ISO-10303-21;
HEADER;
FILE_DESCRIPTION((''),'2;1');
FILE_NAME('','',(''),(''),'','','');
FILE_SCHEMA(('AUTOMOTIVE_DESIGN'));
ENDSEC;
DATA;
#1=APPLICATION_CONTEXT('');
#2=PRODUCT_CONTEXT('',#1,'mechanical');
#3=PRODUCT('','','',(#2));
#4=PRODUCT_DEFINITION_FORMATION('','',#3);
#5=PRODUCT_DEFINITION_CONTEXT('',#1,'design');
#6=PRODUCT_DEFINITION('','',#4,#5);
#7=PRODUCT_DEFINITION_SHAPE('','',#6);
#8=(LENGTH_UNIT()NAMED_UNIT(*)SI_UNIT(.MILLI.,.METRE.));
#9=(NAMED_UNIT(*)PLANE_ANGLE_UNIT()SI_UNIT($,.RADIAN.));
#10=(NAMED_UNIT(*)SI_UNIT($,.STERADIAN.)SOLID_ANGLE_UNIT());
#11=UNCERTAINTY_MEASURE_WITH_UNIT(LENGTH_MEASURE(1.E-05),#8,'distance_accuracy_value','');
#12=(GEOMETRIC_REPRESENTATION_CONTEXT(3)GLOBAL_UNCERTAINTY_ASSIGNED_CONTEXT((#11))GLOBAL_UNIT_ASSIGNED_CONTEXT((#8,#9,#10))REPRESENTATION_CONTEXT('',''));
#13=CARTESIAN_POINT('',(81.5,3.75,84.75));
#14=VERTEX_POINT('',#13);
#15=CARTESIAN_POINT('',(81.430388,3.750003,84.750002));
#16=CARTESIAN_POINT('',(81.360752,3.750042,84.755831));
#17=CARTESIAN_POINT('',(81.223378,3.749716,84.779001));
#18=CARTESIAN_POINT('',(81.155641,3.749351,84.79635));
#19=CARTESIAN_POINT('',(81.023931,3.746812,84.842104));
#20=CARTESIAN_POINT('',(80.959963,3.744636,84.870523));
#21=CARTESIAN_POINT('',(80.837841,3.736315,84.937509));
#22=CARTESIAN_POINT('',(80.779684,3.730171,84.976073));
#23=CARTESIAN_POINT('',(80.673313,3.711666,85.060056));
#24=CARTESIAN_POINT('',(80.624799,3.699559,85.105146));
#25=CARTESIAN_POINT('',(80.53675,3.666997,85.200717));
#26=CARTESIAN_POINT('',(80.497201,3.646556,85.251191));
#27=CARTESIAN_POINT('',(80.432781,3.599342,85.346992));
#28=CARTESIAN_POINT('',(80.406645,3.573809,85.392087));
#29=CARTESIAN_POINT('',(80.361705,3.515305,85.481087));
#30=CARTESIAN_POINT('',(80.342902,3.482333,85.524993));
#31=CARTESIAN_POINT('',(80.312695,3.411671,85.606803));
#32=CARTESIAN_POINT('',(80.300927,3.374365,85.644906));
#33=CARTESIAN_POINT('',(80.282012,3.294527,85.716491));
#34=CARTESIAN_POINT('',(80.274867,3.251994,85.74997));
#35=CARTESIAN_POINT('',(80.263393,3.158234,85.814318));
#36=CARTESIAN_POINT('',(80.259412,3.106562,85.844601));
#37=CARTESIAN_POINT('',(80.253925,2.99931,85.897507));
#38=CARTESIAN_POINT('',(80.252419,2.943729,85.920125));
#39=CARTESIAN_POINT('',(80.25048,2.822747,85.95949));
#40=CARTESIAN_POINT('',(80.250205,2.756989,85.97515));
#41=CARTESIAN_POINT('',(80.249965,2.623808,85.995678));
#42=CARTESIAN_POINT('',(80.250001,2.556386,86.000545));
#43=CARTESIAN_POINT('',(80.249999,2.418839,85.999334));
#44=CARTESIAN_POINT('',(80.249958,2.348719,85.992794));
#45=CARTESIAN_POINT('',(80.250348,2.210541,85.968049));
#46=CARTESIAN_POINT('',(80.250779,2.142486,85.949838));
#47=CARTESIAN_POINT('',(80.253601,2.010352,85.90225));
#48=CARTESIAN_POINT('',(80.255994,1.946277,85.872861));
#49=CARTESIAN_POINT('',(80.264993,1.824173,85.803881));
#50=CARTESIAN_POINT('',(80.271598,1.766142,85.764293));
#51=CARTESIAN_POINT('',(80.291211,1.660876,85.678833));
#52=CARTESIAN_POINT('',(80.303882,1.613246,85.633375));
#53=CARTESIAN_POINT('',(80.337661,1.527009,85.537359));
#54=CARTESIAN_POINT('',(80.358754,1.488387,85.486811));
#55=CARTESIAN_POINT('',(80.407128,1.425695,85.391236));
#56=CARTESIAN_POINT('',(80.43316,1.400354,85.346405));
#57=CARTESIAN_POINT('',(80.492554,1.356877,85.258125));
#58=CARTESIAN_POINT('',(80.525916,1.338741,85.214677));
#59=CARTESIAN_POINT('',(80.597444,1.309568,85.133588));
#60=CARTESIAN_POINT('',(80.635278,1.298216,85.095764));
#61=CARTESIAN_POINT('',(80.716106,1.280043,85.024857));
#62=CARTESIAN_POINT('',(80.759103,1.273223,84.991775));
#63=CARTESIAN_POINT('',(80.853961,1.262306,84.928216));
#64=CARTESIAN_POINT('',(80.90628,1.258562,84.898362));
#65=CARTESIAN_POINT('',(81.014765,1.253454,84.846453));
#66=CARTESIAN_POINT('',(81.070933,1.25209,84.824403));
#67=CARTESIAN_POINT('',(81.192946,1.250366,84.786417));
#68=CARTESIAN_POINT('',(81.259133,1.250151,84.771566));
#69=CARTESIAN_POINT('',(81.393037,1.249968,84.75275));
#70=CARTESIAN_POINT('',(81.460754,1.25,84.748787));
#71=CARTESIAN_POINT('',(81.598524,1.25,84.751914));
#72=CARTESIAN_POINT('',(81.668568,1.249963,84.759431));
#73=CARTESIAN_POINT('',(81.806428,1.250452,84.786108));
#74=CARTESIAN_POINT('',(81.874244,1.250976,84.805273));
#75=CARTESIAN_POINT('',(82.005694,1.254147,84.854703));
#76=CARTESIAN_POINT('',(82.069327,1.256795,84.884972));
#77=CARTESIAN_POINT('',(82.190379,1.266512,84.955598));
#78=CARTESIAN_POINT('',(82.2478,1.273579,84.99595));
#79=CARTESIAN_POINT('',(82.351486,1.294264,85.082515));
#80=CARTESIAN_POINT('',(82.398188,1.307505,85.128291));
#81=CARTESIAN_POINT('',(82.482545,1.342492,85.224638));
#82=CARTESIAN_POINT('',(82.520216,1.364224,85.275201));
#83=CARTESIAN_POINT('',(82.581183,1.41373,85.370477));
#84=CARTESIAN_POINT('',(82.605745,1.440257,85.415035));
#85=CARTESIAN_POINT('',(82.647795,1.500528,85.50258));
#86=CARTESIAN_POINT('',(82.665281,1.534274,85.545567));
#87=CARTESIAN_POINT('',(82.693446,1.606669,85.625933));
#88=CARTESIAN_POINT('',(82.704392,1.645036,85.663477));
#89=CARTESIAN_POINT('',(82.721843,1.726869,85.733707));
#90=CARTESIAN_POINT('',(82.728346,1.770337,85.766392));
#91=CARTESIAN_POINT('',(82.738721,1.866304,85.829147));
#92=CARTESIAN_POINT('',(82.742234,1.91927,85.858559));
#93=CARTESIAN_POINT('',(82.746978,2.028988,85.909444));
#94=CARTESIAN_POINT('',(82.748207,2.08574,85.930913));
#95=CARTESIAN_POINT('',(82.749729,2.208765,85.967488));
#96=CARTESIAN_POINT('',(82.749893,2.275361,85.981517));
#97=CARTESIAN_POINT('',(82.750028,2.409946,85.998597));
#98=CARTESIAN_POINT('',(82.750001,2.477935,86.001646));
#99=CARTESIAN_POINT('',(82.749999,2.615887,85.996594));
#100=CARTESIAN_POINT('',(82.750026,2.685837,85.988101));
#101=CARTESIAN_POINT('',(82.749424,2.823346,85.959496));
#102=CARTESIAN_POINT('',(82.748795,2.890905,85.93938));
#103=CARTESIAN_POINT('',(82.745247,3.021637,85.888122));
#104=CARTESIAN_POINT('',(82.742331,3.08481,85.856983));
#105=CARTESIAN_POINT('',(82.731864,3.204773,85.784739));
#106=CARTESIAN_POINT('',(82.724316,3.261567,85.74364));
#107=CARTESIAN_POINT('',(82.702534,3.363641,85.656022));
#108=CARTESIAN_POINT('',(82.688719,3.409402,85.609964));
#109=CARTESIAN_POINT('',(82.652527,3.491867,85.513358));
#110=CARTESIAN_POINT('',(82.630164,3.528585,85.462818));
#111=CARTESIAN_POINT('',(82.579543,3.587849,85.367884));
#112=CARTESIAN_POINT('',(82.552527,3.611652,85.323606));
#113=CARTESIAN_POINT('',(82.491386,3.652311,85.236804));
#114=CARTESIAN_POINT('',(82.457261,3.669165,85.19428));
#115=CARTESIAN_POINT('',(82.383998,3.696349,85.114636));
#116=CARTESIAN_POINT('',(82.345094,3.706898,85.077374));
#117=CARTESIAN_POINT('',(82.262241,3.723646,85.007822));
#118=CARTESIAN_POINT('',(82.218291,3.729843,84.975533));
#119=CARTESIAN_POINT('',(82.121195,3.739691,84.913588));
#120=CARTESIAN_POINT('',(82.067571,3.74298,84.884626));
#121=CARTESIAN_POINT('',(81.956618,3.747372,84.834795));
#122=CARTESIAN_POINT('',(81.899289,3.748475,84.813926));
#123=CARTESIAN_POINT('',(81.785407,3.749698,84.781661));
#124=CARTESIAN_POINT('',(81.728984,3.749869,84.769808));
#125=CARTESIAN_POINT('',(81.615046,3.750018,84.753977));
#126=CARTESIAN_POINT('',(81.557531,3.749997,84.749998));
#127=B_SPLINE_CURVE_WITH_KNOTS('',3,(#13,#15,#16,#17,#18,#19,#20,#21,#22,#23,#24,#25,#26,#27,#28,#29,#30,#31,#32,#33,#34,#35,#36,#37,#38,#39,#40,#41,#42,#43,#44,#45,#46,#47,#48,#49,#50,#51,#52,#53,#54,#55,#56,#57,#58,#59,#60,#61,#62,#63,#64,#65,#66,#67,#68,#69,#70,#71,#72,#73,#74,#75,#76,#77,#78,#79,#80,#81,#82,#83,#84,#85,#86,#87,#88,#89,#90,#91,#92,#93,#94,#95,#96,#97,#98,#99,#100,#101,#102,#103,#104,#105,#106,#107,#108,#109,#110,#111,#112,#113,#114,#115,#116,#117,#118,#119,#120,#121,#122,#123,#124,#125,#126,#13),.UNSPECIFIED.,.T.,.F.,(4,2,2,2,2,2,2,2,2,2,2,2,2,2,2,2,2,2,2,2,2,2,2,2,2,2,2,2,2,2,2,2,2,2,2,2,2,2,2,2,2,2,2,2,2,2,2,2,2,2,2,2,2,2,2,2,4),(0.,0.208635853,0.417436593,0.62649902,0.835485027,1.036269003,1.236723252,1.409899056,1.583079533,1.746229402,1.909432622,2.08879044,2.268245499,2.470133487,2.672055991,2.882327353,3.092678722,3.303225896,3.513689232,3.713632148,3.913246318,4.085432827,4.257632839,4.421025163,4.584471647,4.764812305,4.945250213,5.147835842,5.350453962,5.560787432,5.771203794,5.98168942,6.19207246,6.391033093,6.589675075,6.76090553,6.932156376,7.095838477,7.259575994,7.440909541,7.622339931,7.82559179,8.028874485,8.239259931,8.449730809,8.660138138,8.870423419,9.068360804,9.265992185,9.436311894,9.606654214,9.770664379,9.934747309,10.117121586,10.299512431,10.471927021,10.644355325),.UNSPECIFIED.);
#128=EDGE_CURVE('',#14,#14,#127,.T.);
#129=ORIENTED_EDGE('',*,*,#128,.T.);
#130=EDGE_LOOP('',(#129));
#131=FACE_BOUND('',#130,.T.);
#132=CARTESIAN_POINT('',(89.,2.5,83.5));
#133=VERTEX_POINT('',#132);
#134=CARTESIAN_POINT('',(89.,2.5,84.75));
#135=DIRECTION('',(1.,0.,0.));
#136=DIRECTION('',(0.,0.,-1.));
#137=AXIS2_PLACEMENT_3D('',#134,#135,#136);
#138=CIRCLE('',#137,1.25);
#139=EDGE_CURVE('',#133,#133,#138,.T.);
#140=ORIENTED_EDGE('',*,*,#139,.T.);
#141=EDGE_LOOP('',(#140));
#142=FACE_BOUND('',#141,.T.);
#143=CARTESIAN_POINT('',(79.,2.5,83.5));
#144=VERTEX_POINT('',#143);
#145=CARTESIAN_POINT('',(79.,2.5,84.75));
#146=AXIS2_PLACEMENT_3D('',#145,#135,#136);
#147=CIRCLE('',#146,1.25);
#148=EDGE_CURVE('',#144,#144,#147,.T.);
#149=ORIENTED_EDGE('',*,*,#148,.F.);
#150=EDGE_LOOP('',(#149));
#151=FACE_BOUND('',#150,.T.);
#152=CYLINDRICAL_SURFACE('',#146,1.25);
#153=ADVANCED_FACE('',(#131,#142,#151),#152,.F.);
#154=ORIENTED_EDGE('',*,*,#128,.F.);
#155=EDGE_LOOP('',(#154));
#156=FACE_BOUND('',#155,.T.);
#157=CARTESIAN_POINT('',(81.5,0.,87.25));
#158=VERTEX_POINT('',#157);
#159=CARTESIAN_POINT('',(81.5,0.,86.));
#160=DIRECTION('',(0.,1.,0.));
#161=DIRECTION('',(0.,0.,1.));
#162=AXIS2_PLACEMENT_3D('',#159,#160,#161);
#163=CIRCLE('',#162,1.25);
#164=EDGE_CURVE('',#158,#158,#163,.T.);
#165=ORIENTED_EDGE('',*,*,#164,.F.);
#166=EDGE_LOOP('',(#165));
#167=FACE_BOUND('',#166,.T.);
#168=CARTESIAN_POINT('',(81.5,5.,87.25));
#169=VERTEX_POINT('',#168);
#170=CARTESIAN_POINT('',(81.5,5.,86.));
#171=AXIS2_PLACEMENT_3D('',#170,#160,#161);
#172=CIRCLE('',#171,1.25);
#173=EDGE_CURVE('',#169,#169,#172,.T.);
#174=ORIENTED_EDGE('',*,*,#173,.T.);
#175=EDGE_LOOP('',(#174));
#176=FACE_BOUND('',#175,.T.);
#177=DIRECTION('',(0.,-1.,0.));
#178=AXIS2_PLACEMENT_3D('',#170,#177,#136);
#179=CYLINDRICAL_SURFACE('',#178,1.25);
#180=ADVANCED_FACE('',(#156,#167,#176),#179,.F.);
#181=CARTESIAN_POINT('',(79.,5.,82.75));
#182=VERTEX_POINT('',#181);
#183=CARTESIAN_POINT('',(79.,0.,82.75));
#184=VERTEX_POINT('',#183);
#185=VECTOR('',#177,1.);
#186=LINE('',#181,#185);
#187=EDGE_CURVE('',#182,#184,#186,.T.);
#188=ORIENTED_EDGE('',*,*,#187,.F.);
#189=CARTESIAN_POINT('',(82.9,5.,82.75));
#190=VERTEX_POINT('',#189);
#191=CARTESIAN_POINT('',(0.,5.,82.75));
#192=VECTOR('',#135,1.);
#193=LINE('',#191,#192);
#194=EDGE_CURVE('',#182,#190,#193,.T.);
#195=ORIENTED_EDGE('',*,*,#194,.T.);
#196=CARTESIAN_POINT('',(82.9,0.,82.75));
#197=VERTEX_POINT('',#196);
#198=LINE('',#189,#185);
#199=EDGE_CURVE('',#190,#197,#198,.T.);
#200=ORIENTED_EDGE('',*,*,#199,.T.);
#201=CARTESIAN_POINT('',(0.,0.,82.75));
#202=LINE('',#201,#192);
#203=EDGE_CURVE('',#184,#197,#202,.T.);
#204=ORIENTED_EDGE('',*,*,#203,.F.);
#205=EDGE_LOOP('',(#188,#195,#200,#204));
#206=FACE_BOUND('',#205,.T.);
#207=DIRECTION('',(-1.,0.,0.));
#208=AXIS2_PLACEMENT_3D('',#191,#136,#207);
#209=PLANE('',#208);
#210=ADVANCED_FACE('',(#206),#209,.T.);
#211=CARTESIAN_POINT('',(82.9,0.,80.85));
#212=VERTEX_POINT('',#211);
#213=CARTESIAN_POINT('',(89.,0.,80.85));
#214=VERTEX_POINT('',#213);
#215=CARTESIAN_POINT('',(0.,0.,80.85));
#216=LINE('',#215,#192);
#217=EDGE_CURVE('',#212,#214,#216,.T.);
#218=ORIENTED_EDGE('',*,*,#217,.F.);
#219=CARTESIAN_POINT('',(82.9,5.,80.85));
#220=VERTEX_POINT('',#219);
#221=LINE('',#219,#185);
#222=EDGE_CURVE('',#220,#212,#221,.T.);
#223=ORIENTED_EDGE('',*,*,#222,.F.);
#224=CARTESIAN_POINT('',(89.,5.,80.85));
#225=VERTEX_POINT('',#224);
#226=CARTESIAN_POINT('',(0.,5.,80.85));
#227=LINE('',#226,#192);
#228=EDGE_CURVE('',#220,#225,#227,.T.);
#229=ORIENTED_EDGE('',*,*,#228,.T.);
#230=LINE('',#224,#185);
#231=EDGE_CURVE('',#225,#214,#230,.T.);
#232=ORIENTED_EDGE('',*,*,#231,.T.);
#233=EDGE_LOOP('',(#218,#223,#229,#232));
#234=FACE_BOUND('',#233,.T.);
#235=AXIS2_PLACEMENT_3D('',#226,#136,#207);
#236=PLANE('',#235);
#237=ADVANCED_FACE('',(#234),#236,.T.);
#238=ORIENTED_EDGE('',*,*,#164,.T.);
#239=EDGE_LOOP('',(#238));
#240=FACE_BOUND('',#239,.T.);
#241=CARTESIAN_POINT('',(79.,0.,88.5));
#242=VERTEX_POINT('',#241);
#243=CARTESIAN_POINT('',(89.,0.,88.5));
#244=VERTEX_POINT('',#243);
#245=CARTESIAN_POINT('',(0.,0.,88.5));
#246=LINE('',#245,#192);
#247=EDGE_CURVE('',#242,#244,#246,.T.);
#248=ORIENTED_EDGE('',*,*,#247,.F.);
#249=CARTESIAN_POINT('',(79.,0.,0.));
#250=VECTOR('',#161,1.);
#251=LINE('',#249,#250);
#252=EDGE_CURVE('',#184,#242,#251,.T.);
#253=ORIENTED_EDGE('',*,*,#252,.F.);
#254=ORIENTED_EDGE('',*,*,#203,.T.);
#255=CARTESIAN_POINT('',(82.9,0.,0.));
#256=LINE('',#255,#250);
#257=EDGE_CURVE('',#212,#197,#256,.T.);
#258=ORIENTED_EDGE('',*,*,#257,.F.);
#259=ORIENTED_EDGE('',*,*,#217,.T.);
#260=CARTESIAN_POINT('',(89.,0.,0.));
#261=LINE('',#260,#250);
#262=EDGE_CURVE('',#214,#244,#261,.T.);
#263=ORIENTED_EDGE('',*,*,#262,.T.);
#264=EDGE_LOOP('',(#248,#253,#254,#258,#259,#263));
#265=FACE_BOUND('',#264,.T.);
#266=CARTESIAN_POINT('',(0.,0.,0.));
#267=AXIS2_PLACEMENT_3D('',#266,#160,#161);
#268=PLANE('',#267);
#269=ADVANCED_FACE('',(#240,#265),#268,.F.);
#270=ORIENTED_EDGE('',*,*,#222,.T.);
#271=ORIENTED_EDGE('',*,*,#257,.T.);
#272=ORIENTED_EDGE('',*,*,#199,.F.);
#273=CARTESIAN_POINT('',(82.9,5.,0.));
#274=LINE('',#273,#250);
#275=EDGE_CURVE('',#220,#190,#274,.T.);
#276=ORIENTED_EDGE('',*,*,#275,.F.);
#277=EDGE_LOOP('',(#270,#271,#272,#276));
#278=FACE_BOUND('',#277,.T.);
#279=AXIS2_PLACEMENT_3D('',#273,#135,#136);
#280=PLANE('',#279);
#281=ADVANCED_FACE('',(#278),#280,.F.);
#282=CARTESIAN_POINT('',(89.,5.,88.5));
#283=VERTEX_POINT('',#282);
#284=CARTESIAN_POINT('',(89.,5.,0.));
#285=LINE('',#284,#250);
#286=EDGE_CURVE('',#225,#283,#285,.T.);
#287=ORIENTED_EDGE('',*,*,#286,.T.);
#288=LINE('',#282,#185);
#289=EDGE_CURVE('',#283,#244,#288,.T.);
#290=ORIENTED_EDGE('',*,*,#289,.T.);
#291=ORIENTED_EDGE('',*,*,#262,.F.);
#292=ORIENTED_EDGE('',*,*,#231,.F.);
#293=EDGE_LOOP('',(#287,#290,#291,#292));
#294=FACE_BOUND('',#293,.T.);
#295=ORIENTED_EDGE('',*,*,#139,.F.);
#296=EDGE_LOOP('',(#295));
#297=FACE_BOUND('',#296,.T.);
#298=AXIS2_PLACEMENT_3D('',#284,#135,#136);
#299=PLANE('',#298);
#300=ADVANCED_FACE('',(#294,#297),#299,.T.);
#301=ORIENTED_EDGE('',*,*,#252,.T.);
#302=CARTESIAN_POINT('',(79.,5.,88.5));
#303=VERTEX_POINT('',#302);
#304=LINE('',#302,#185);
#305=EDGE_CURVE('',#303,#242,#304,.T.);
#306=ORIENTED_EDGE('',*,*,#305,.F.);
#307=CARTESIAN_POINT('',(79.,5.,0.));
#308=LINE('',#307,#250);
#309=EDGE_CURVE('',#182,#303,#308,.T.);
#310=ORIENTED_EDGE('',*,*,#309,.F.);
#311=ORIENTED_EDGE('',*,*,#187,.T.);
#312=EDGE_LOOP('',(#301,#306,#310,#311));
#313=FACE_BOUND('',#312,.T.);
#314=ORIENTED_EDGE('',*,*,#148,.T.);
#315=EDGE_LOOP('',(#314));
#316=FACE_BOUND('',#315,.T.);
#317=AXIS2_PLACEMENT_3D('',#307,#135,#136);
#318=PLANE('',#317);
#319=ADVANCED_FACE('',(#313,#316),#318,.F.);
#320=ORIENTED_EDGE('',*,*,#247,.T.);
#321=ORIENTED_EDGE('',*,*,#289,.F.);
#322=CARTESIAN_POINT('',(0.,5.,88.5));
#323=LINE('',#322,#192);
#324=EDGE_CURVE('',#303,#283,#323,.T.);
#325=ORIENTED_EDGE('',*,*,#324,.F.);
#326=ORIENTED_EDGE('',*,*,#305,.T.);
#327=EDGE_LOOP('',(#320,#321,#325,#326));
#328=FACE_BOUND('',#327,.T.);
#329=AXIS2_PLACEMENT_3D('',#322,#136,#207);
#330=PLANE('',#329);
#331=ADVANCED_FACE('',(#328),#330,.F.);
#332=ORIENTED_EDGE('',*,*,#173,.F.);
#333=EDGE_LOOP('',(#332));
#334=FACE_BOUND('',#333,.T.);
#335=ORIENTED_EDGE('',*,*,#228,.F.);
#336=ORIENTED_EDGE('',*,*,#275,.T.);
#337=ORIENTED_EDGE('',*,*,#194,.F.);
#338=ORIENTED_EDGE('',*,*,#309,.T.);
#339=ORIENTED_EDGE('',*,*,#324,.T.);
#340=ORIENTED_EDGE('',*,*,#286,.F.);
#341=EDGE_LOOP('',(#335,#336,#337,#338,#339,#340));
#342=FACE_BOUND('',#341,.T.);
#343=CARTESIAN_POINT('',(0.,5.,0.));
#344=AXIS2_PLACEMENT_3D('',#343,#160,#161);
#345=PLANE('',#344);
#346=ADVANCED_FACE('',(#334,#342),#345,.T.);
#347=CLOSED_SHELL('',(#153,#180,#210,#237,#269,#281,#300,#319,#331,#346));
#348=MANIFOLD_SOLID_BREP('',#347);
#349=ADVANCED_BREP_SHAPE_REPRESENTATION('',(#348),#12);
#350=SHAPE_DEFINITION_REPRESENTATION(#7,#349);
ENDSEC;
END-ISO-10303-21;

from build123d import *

# Parameters (mm, degrees)
SKETCH4_R           = 1.25
BOSS_EXTRUDE2_DEPTH = 5
CUT_EXTRUDE2_DEPTH  = 10


with BuildPart() as part:
    # Sketch4 → Boss-Extrude2 (new body)
    with BuildSketch(Plane(origin=(0, 0, 0), x_dir=(1, 0, 0), z_dir=(0, 1, 0))):
        Polygon((82.9, -82.75), (79, -82.75), (79, -86), (79, -88.5), (89, -88.5), (89, -80.85), (82.9, -80.85), align=None)
        with Locations((81.5, -86)):
            Circle(SKETCH4_R, mode=Mode.SUBTRACT)
    extrude(amount=BOSS_EXTRUDE2_DEPTH)

    # Sketch5 → Cut-Extrude2 (cut)
    with BuildSketch(Plane(origin=(89, 0, 0), x_dir=(0, 0, -1), z_dir=(1, 0, 0))):
        with BuildLine():
            ThreePointArc((-84.75, 3.75), (-86, 2.5), (-84.75, 1.25))
            Line((-84.75, 1.25), (-84.75, 3.75))
        make_face()
        with BuildLine():
            Line((-84.75, 3.75), (-84.75, 1.25))
            ThreePointArc((-84.75, 1.25), (-83.866116524, 1.616116524), (-83.5, 2.5))
            ThreePointArc((-83.5, 2.5), (-83.866116524, 3.383883476), (-84.75, 3.75))
        make_face()
    extrude(amount=-CUT_EXTRUDE2_DEPTH, mode=Mode.SUBTRACT)


solid = part.part
